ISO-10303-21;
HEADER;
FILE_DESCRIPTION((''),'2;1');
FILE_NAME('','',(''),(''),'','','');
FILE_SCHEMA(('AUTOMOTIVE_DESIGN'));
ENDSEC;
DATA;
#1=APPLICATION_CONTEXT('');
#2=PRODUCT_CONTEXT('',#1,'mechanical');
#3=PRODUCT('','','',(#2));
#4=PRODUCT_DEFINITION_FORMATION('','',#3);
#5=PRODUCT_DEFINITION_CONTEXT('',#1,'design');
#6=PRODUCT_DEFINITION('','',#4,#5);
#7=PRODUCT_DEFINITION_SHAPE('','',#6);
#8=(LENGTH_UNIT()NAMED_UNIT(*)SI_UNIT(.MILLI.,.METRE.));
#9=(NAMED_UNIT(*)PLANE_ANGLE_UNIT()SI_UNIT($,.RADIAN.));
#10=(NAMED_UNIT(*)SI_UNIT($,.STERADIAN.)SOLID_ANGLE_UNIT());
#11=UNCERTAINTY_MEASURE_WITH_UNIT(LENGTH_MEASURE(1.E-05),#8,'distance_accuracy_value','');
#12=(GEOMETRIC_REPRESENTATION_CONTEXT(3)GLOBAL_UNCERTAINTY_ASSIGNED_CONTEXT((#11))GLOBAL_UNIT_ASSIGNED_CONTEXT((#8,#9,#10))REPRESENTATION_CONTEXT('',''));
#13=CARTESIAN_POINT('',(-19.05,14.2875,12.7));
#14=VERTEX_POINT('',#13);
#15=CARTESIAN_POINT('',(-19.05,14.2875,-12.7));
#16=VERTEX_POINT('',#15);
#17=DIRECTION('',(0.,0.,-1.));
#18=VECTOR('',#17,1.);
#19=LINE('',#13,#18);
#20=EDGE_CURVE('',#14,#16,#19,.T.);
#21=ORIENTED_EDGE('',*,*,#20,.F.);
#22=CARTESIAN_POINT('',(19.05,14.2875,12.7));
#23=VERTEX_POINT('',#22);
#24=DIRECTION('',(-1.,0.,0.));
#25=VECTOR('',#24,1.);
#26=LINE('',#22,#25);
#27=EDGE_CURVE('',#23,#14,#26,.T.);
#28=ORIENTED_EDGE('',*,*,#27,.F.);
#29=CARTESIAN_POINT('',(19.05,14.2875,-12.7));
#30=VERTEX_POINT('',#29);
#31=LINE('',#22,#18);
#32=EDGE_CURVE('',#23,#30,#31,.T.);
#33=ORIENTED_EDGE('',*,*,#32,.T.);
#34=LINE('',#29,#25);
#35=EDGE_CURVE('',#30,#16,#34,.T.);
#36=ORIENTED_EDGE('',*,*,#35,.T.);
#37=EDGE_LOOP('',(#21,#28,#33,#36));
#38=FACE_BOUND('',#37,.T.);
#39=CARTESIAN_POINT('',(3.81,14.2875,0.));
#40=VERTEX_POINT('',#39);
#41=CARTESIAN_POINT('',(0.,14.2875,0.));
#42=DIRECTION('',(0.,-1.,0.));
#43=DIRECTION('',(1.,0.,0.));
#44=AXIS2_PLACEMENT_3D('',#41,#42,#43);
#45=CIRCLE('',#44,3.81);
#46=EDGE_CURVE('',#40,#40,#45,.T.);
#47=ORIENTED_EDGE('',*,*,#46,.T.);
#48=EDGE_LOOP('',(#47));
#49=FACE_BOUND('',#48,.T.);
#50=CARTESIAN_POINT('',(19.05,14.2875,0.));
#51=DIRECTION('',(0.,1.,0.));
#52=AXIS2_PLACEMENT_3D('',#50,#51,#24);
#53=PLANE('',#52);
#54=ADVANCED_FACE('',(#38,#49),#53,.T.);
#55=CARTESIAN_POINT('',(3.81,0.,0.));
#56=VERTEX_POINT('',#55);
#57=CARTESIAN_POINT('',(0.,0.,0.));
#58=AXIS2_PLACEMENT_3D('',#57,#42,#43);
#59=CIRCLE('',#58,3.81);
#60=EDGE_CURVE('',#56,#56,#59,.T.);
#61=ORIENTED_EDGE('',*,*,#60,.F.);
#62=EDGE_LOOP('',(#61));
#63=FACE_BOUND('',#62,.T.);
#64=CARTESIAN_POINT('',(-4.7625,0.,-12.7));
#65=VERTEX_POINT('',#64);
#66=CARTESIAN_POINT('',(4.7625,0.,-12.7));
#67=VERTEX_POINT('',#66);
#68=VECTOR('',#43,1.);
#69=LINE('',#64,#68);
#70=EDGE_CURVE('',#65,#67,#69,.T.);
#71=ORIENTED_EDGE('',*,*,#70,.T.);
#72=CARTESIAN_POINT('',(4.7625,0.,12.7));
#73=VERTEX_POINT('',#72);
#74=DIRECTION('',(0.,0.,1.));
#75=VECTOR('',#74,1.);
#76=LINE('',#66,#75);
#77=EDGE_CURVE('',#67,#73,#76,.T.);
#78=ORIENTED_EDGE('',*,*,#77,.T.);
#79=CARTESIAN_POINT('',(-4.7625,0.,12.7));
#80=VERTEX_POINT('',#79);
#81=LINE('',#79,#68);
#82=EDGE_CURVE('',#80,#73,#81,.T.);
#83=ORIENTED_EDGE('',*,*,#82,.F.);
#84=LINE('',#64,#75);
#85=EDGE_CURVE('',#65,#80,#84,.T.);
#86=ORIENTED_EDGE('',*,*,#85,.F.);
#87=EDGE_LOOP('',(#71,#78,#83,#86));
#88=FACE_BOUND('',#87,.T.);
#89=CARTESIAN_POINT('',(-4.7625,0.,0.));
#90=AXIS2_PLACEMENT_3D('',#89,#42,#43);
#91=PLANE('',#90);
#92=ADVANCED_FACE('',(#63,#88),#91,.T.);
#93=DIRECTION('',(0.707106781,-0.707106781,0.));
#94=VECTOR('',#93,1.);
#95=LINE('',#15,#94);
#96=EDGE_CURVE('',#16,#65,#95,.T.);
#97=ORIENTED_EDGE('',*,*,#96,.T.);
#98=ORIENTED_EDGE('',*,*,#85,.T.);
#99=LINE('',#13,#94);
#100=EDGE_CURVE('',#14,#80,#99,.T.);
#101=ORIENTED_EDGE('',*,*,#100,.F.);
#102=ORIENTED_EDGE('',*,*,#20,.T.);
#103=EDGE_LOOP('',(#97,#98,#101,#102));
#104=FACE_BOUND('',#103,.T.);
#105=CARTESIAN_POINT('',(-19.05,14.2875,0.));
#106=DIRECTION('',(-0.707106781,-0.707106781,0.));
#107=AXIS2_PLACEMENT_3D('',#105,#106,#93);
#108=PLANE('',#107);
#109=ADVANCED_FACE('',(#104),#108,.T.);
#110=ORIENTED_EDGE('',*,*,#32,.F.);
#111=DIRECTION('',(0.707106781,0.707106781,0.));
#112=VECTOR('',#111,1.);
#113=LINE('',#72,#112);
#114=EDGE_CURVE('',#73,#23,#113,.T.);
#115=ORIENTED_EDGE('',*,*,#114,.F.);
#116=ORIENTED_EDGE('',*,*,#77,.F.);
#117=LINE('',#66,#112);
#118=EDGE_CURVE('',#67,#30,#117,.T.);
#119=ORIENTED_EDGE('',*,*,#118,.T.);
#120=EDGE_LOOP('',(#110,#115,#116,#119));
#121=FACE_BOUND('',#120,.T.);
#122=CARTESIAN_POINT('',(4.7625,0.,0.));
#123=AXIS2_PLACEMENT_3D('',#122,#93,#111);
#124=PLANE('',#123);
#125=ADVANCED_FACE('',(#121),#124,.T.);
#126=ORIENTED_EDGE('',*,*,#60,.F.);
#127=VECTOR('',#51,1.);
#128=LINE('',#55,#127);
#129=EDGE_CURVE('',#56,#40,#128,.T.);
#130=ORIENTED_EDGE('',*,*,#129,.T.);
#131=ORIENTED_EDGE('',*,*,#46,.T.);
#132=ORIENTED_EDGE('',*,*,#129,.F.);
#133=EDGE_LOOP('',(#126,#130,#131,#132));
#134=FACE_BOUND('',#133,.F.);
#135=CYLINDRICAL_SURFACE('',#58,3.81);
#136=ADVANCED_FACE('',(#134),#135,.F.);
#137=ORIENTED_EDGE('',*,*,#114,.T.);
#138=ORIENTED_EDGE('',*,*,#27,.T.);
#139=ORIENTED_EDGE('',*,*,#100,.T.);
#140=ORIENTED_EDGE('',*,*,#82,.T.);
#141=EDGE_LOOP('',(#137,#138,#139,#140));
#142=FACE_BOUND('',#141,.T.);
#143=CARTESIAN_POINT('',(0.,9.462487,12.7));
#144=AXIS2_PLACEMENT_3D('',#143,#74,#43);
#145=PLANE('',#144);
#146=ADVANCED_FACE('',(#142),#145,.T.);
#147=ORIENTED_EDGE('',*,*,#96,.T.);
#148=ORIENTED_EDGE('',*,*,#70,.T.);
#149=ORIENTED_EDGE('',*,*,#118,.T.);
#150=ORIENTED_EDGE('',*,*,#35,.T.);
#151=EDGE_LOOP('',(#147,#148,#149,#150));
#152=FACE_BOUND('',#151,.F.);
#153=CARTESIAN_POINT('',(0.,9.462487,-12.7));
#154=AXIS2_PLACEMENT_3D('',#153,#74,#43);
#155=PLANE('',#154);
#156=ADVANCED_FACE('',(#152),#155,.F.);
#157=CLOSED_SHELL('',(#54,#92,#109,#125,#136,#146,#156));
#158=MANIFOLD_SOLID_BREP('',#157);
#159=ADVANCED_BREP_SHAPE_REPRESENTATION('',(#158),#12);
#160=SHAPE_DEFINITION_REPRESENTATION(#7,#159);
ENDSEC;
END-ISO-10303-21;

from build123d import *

# Parameters (mm, degrees)
F1_DEPTH = 12.7
F2_R     = 3.81
F3_DEPTH = 14.2885


with BuildPart() as f1:
    # F0 (on Top) → F1 (new body, symmetric)
    with BuildSketch(Plane.XY):
        Polygon((-19.05, 14.2875), (-4.7625, 0), (4.7625, 0), (19.05, 14.2875), align=None)
    extrude(amount=F1_DEPTH, both=True)

    # F2 (on Front) → F3 (cut, through all)
    with BuildSketch(Plane.XZ):
        Circle(F2_R)
    extrude(amount=-F3_DEPTH, mode=Mode.SUBTRACT)


solid = f1.part
